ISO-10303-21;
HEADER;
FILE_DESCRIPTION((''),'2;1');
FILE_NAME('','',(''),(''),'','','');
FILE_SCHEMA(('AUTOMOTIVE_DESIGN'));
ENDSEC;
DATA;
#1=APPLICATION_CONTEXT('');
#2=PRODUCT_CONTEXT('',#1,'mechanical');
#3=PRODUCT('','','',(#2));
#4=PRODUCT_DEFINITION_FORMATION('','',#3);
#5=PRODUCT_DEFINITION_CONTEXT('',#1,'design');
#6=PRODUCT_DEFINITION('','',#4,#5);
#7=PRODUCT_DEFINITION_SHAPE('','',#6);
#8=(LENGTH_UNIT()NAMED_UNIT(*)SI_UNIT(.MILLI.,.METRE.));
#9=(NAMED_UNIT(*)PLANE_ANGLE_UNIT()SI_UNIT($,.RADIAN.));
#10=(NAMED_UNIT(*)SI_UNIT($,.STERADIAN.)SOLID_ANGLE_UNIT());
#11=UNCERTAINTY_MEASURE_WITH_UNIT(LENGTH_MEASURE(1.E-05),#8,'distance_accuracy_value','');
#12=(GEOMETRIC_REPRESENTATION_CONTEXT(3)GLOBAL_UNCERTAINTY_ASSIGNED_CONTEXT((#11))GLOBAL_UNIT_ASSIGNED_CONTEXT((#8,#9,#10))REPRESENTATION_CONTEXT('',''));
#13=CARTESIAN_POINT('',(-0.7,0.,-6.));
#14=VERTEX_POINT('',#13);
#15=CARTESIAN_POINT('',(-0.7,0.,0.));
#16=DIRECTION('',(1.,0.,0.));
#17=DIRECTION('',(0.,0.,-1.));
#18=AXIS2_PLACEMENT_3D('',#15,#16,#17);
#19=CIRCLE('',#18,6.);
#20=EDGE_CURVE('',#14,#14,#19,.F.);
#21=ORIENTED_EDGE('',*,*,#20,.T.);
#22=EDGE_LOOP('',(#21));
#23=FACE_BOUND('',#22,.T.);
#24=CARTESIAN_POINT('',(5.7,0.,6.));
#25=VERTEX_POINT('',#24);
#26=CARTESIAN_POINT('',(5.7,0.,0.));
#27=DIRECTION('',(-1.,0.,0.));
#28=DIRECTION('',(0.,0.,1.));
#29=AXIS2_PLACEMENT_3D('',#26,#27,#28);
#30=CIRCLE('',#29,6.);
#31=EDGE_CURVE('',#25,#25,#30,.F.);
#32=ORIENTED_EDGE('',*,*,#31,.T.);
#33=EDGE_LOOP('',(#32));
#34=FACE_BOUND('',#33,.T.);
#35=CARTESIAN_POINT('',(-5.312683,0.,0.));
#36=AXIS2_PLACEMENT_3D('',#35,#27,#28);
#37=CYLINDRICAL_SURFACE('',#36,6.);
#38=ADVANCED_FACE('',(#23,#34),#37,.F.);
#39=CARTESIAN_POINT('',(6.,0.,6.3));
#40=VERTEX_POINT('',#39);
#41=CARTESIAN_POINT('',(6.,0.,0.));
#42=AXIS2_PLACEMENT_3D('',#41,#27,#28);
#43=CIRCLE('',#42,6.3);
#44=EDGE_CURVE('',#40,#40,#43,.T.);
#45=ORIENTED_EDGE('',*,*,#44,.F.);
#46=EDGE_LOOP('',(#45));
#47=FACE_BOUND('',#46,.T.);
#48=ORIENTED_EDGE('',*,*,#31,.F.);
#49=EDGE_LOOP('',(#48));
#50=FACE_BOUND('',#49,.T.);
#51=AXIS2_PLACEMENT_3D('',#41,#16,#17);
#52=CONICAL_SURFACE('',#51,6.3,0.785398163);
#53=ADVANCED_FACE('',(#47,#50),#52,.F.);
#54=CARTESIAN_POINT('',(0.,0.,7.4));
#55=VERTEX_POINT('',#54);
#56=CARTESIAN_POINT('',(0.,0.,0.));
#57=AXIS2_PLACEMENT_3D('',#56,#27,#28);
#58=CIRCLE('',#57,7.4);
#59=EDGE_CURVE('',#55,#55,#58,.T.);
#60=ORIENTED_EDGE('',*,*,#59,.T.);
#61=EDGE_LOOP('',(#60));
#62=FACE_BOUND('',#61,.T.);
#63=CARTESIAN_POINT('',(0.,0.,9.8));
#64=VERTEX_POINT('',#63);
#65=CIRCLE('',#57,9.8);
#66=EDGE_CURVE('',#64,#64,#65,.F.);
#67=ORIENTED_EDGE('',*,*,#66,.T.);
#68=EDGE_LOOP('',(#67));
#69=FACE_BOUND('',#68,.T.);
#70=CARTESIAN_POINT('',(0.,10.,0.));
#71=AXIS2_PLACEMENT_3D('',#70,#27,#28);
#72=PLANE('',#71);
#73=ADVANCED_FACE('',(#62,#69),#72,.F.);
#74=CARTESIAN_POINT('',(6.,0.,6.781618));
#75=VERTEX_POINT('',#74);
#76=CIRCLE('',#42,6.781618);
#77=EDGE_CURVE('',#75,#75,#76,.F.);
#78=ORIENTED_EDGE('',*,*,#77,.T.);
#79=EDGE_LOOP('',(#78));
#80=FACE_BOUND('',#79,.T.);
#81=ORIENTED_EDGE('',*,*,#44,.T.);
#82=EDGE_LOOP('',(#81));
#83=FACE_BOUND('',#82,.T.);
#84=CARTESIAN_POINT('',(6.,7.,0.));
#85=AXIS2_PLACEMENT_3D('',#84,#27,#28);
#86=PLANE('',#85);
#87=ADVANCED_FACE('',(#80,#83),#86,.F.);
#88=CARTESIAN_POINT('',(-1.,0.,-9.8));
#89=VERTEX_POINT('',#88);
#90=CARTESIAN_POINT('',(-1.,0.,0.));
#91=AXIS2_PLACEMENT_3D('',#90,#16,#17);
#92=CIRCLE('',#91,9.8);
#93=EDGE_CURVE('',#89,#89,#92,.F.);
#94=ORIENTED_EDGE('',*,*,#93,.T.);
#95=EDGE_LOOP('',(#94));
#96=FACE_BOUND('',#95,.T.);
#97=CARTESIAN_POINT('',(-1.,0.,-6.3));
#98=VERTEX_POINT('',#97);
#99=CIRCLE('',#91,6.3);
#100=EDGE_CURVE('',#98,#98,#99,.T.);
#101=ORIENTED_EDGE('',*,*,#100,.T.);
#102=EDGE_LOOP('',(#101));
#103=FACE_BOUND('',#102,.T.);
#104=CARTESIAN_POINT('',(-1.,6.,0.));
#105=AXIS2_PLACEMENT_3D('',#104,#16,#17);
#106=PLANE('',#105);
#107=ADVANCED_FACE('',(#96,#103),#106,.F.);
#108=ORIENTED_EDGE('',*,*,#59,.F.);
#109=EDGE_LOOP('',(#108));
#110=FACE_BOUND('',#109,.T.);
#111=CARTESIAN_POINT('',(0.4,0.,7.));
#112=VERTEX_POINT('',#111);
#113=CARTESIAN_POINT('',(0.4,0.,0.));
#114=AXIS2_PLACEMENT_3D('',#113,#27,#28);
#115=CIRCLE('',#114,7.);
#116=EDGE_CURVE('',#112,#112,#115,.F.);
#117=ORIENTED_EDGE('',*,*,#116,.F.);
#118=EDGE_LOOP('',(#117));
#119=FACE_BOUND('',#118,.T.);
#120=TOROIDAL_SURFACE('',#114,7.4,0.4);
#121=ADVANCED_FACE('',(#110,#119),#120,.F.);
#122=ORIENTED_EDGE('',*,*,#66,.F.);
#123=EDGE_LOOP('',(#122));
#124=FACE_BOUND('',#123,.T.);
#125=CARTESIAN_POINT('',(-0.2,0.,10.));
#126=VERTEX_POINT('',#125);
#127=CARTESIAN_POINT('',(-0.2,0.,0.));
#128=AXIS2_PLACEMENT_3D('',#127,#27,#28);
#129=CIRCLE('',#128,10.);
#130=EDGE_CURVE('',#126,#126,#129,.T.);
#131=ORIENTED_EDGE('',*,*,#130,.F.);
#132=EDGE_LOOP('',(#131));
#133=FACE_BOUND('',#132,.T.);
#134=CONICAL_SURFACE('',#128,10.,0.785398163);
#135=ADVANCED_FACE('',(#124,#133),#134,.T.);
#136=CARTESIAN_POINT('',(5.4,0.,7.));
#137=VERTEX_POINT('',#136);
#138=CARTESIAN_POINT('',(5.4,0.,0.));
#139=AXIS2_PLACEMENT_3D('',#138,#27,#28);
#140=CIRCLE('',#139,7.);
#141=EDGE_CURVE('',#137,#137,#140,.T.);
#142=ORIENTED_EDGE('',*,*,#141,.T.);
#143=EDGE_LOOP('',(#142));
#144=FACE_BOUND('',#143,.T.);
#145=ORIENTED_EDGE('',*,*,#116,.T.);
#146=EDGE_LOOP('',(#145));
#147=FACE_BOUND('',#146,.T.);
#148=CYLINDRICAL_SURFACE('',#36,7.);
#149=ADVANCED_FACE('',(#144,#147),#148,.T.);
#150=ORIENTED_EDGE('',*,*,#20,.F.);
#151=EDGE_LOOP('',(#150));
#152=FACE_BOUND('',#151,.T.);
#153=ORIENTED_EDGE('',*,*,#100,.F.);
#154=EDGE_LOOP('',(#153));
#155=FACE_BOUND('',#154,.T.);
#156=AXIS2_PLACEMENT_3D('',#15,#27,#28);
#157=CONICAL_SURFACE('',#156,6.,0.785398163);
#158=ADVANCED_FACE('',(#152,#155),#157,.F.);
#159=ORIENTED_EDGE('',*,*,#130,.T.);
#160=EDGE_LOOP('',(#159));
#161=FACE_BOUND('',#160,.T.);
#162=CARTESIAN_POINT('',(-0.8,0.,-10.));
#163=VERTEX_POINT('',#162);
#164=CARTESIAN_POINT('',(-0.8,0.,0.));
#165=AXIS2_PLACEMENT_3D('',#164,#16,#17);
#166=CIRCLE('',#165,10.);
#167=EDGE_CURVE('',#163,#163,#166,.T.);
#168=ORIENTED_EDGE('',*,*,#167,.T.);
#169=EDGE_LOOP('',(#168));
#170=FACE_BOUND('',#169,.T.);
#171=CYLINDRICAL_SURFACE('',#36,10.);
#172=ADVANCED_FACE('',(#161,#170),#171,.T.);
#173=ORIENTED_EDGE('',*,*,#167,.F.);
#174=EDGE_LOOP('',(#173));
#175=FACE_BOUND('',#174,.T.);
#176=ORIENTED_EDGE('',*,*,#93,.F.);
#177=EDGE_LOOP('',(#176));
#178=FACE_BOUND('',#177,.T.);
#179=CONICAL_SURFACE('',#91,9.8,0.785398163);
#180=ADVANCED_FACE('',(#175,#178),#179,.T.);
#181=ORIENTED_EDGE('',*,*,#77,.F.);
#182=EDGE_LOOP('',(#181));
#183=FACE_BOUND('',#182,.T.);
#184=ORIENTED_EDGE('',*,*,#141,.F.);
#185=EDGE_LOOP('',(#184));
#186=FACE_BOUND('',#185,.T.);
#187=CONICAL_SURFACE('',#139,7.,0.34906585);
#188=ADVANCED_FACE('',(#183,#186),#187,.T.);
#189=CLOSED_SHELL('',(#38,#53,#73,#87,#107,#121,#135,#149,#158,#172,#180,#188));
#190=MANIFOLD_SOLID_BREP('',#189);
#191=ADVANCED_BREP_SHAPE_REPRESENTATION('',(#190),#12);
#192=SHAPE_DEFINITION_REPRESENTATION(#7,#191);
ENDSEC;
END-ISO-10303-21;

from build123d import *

# Parameters (mm, degrees)
CHANFREIN2_SIZE  = 0.6
CHANFREIN2_SIZE2 = 0.218382141
CHANFREIN3_SIZE  = 0.3
CHANFREIN4_SIZE  = 0.2
CONG_1_R         = 0.4


with BuildPart() as part:
    # Esquisse1 → Base-Révolution (revolve)
    with BuildSketch(Plane.XY, mode=Mode.PRIVATE) as base_r_volution_sk:
        Polygon((-1, 6), (-1, 10), (0, 10), (0, 7), (6, 7), (6, 6), align=None)
    revolve(base_r_volution_sk.sketch.rotate(Axis((-5.312682662, 0, 0), (1, 0, 0)), 90), axis=Axis((-5.312682662, 0, 0), (1, 0, 0)))

    # Chanfrein2
    chanfrein2_edges = [part.edges().sort_by_distance(p)[0] for p in [
        (6, 0, -7),
    ]]
    chanfrein2_side = [part.faces().sort_by_distance(p)[0] for p in [
        (3, 0, -7),
    ]]
    chamfer(chanfrein2_edges, length=CHANFREIN2_SIZE, length2=CHANFREIN2_SIZE2, reference=chanfrein2_side[0])

    # Chanfrein3
    chanfrein3_edges = [part.edges().sort_by_distance(p)[0] for p in [
        (-1, 0, -6),
        (6, 0, -6),
    ]]
    chamfer(chanfrein3_edges, length=CHANFREIN3_SIZE)

    # Chanfrein4
    chanfrein4_edges = [part.edges().sort_by_distance(p)[0] for p in [
        (0, 0, -10),
        (-1, 0, -10),
    ]]
    chamfer(chanfrein4_edges, length=CHANFREIN4_SIZE)

    # Congé1
    cong_1_edges = [part.edges().sort_by_distance(p)[0] for p in [
        (0, 0, -7),
    ]]
    fillet(cong_1_edges, radius=CONG_1_R)


solid = part.part
